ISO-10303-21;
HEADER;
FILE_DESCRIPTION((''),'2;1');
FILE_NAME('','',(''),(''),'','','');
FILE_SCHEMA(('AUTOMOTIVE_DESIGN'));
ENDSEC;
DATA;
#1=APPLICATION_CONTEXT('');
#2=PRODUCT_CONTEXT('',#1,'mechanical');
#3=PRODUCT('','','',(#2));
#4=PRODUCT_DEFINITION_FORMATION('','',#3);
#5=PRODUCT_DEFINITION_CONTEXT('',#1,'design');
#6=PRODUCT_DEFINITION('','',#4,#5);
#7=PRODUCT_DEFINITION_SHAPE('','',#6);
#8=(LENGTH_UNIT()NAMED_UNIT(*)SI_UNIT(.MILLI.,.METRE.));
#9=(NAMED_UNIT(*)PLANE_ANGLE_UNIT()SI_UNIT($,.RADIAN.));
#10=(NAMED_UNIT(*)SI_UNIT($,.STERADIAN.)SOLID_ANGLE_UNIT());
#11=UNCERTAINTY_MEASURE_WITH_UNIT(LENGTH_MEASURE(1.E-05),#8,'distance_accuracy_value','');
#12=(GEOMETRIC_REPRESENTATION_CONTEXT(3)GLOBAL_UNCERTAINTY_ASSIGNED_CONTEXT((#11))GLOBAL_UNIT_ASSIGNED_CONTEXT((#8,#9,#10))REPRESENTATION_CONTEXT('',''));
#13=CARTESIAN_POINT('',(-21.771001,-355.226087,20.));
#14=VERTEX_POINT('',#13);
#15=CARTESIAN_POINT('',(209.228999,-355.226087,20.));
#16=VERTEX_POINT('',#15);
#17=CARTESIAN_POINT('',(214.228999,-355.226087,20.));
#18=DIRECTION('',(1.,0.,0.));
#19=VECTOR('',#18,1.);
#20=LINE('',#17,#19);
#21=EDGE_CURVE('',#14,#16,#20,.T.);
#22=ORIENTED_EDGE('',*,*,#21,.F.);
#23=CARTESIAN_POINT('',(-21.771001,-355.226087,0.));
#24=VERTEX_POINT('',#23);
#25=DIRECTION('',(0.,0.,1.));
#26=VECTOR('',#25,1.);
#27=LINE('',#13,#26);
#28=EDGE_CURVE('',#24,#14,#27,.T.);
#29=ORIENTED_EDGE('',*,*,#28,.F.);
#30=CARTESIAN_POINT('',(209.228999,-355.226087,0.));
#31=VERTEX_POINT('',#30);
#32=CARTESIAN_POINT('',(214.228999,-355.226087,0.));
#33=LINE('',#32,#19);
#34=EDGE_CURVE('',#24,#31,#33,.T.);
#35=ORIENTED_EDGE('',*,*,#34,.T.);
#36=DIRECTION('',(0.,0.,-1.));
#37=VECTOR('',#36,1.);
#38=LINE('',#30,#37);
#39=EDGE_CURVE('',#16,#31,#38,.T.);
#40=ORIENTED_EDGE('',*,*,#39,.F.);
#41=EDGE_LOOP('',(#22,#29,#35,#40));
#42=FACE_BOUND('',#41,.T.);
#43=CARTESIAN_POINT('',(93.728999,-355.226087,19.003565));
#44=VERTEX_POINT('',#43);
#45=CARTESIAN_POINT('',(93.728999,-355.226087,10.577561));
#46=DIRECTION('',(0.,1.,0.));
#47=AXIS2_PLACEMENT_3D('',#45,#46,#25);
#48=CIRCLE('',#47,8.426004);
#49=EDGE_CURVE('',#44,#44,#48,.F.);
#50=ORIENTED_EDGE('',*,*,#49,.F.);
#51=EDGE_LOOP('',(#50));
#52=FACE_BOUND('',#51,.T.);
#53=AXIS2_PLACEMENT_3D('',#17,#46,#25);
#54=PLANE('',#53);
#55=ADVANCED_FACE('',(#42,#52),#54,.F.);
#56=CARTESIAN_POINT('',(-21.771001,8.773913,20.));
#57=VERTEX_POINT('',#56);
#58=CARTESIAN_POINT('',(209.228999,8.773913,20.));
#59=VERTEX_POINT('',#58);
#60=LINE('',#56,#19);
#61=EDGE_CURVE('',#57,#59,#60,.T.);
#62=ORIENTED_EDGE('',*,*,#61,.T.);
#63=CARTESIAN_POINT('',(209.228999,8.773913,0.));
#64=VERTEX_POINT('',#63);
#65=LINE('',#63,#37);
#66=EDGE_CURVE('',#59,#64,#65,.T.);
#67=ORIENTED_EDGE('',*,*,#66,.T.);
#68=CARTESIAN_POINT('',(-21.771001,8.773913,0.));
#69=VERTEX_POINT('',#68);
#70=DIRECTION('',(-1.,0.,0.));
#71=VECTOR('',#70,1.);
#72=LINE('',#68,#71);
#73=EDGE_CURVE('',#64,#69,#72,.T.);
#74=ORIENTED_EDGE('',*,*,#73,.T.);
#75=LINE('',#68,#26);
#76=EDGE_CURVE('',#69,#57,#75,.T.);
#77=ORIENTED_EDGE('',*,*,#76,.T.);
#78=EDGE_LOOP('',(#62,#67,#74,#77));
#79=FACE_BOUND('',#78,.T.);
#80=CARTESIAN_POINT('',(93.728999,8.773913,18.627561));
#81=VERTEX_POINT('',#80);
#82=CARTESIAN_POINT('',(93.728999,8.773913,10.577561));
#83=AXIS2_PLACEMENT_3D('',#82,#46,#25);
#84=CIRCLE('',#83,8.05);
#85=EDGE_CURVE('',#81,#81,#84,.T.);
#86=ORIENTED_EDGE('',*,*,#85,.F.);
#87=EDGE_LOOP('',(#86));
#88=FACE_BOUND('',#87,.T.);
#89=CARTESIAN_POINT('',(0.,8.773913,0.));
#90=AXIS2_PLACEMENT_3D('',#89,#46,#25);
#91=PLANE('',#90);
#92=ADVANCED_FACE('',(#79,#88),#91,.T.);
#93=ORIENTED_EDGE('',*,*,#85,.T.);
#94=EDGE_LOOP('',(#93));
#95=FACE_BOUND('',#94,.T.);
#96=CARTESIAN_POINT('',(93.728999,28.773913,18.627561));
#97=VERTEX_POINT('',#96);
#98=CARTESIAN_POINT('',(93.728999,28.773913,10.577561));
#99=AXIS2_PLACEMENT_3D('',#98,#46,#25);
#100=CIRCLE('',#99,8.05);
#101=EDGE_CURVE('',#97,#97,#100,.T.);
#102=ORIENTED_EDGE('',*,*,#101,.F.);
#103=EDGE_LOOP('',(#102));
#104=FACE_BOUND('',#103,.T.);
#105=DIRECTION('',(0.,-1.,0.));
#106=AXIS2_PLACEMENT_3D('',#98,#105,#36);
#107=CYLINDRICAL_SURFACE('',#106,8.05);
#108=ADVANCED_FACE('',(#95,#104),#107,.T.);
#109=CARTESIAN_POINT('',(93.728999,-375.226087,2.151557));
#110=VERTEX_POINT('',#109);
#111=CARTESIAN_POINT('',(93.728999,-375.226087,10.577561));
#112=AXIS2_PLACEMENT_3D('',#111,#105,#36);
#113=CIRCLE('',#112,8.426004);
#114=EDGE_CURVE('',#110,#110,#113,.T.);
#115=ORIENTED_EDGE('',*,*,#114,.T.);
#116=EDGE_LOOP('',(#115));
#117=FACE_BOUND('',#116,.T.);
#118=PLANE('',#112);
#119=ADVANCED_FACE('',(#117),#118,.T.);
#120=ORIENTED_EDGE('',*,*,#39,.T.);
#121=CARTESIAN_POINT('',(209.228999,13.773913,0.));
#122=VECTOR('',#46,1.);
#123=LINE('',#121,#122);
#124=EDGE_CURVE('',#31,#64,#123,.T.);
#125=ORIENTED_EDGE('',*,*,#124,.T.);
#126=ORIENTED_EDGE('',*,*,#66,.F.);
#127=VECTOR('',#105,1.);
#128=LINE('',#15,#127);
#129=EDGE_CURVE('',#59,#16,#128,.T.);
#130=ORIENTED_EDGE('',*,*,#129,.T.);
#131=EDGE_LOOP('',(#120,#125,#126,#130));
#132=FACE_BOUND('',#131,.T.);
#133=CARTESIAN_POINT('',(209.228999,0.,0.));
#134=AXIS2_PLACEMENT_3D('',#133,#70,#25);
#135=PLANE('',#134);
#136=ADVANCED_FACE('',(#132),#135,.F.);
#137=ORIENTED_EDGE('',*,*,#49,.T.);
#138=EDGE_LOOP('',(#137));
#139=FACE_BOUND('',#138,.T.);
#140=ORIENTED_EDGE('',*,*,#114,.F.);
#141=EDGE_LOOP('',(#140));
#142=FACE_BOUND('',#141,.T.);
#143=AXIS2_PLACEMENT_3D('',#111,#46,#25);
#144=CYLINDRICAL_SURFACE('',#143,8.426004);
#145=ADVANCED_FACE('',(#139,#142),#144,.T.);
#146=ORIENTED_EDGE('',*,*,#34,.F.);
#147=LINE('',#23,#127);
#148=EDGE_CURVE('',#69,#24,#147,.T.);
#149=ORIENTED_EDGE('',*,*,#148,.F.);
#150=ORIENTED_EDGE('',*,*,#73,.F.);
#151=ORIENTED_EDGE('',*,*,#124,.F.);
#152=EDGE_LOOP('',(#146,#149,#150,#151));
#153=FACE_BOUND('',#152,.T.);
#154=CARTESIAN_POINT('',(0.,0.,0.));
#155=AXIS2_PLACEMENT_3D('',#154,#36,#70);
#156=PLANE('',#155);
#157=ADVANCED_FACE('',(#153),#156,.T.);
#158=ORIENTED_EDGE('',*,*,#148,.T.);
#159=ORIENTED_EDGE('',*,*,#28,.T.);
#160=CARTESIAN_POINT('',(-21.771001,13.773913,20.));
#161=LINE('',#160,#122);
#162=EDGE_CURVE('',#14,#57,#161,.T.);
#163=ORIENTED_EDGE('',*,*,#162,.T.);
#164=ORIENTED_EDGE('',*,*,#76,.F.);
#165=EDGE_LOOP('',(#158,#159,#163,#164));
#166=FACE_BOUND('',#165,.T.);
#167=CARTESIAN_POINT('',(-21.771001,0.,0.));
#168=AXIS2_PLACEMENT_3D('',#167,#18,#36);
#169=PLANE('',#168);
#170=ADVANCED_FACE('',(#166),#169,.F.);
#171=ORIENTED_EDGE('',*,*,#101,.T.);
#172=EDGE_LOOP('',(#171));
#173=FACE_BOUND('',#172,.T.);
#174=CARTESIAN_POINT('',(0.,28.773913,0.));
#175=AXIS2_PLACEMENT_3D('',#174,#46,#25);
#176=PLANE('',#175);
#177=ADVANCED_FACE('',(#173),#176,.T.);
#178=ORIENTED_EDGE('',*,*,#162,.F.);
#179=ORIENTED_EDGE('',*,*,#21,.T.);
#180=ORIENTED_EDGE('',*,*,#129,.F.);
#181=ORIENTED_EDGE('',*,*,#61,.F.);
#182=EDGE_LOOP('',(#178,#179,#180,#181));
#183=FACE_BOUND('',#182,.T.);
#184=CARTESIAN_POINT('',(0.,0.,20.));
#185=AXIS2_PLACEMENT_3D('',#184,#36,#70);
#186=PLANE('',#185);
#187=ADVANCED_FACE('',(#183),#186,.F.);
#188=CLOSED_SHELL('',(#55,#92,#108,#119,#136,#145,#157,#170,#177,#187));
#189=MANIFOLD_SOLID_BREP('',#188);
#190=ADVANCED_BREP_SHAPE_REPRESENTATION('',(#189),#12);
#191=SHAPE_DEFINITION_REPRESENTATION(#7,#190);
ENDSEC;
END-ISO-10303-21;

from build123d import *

# Parameters (mm, degrees)
SKETCH1_W           = 241
SKETCH1_H           = 374
BOSS_EXTRUDE1_DEPTH = 20
SKETCH5_R           = 8.426003706
BOSS_EXTRUDE3_DEPTH = 20
SKETCH6_W           = 241
SKETCH6_H           = 20
CUT_EXTRUDE1_DEPTH  = 5
SKETCH7_R           = 8.40478741
BOSS_EXTRUDE4_DEPTH = 20
SKETCH8_W           = 20
SKETCH8_H           = 369
CUT_EXTRUDE2_DEPTH  = 5
SKETCH9_W           = 20
SKETCH9_H           = 369
CUT_EXTRUDE3_DEPTH  = 5
SKETCH11_R          = 8.426003706
CUT_EXTRUDE4_DEPTH  = 10
SKETCH12_R          = 8.40478741
CUT_EXTRUDE5_DEPTH  = 10
SKETCH13_R          = 8.40478741
BOSS_EXTRUDE6_DEPTH = 10
SKETCH14_R          = 8.426003706
BOSS_EXTRUDE7_DEPTH = 10
SKETCH15_W          = 231
SKETCH15_H          = 20
CUT_EXTRUDE6_DEPTH  = 5
SKETCH16_R          = 8.05
BOSS_EXTRUDE8_DEPTH = 20


with BuildPart() as part:
    # Sketch1 → Boss-Extrude1 (new body)
    with BuildSketch(Plane.XY):
        with Locations((93.728999485, -168.226086957)):
            Rectangle(SKETCH1_W, SKETCH1_H)
    extrude(amount=BOSS_EXTRUDE1_DEPTH)

    # Sketch5 → Boss-Extrude3 (add)
    with BuildSketch(Plane.XZ.offset(355.226086957)):
        with Locations(Location((93.728999485, 10.577560917, 0), (0, 0, 90))):
            Circle(SKETCH5_R)
    extrude(amount=BOSS_EXTRUDE3_DEPTH)

    # Sketch6 → Cut-Extrude1 (cut)
    with BuildSketch(Plane(origin=(0, 18.773913043, 0), x_dir=(1, 0, 0), z_dir=(0, 1, 0))):
        with Locations((93.728999485, -10)):
            Rectangle(SKETCH6_W, SKETCH6_H)
    extrude(amount=-CUT_EXTRUDE1_DEPTH, mode=Mode.SUBTRACT)

    # Sketch7 → Boss-Extrude4 (add)
    with BuildSketch(Plane(origin=(0, 13.773913043, 0), x_dir=(1, 0, 0), z_dir=(0, 1, 0))):
        with Locations(Location((93.728999485, -10.486825902, 0), (0, 0, 270))):
            Circle(SKETCH7_R)
    extrude(amount=BOSS_EXTRUDE4_DEPTH)

    # Sketch8 → Cut-Extrude2 (cut)
    with BuildSketch(Plane.ZY.offset(26.771000515)):
        with Locations((10, -170.726086957)):
            Rectangle(SKETCH8_W, SKETCH8_H)
    extrude(amount=-CUT_EXTRUDE2_DEPTH, mode=Mode.SUBTRACT)

    # Sketch9 → Cut-Extrude3 (cut)
    with BuildSketch(Plane(origin=(214.228999485, 0, 0), x_dir=(0, 0, -1), z_dir=(1, 0, 0))):
        with Locations((-10, -170.726086957)):
            Rectangle(SKETCH9_W, SKETCH9_H)
    extrude(amount=-CUT_EXTRUDE3_DEPTH, mode=Mode.SUBTRACT)

    # Sketch11 → Cut-Extrude4 (cut)
    with BuildSketch(Plane.XZ.offset(375.226086957)):
        with Locations(Location((93.728999485, 10.577560917, 0), (0, 0, 90))):
            Circle(SKETCH11_R)
    extrude(amount=-CUT_EXTRUDE4_DEPTH, mode=Mode.SUBTRACT)

    # Sketch12 → Cut-Extrude5 (cut)
    with BuildSketch(Plane(origin=(0, 33.773913043, 0), x_dir=(1, 0, 0), z_dir=(0, 1, 0))):
        with Locations(Location((93.728999485, -10.486825902, 0), (0, 0, 270))):
            Circle(SKETCH12_R)
    extrude(amount=-CUT_EXTRUDE5_DEPTH, mode=Mode.SUBTRACT)

    # Sketch13 → Boss-Extrude6 (add)
    with BuildSketch(Plane(origin=(0, 23.773913043, 0), x_dir=(1, 0, 0), z_dir=(0, 1, 0))):
        with Locations(Location((93.728999485, -10.486825902, 0), (0, 0, 270))):
            Circle(SKETCH13_R)
    extrude(amount=BOSS_EXTRUDE6_DEPTH)

    # Sketch14 → Boss-Extrude7 (add)
    with BuildSketch(Plane.XZ.offset(365.226086957)):
        with Locations(Location((93.728999485, 10.577560917, 0), (0, 0, 90))):
            Circle(SKETCH14_R)
    extrude(amount=BOSS_EXTRUDE7_DEPTH)

    # Sketch15 → Cut-Extrude6 (cut)
    with BuildSketch(Plane(origin=(0, 13.773913043, 0), x_dir=(1, 0, 0), z_dir=(0, 1, 0))):
        with Locations((93.728999485, -10)):
            Rectangle(SKETCH15_W, SKETCH15_H)
    extrude(amount=-CUT_EXTRUDE6_DEPTH, mode=Mode.SUBTRACT)


with BuildPart() as body_2:
    # of the pieces the cut leaves, the one that is kept (cut_extrude6_keep)
    add(part.part.solids().sort_by_distance((-21.771000515, 8.773913043, 0))[0])

    # Sketch16 → Boss-Extrude8 (add)
    with BuildSketch(Plane(origin=(0, 8.773913043, 0), x_dir=(1, 0, 0), z_dir=(0, 1, 0))):
        with Locations(Location((93.728999485, -10.577560917, 0), (0, 0, 270))):
            Circle(SKETCH16_R)
    extrude(amount=BOSS_EXTRUDE8_DEPTH)


solid = body_2.part
